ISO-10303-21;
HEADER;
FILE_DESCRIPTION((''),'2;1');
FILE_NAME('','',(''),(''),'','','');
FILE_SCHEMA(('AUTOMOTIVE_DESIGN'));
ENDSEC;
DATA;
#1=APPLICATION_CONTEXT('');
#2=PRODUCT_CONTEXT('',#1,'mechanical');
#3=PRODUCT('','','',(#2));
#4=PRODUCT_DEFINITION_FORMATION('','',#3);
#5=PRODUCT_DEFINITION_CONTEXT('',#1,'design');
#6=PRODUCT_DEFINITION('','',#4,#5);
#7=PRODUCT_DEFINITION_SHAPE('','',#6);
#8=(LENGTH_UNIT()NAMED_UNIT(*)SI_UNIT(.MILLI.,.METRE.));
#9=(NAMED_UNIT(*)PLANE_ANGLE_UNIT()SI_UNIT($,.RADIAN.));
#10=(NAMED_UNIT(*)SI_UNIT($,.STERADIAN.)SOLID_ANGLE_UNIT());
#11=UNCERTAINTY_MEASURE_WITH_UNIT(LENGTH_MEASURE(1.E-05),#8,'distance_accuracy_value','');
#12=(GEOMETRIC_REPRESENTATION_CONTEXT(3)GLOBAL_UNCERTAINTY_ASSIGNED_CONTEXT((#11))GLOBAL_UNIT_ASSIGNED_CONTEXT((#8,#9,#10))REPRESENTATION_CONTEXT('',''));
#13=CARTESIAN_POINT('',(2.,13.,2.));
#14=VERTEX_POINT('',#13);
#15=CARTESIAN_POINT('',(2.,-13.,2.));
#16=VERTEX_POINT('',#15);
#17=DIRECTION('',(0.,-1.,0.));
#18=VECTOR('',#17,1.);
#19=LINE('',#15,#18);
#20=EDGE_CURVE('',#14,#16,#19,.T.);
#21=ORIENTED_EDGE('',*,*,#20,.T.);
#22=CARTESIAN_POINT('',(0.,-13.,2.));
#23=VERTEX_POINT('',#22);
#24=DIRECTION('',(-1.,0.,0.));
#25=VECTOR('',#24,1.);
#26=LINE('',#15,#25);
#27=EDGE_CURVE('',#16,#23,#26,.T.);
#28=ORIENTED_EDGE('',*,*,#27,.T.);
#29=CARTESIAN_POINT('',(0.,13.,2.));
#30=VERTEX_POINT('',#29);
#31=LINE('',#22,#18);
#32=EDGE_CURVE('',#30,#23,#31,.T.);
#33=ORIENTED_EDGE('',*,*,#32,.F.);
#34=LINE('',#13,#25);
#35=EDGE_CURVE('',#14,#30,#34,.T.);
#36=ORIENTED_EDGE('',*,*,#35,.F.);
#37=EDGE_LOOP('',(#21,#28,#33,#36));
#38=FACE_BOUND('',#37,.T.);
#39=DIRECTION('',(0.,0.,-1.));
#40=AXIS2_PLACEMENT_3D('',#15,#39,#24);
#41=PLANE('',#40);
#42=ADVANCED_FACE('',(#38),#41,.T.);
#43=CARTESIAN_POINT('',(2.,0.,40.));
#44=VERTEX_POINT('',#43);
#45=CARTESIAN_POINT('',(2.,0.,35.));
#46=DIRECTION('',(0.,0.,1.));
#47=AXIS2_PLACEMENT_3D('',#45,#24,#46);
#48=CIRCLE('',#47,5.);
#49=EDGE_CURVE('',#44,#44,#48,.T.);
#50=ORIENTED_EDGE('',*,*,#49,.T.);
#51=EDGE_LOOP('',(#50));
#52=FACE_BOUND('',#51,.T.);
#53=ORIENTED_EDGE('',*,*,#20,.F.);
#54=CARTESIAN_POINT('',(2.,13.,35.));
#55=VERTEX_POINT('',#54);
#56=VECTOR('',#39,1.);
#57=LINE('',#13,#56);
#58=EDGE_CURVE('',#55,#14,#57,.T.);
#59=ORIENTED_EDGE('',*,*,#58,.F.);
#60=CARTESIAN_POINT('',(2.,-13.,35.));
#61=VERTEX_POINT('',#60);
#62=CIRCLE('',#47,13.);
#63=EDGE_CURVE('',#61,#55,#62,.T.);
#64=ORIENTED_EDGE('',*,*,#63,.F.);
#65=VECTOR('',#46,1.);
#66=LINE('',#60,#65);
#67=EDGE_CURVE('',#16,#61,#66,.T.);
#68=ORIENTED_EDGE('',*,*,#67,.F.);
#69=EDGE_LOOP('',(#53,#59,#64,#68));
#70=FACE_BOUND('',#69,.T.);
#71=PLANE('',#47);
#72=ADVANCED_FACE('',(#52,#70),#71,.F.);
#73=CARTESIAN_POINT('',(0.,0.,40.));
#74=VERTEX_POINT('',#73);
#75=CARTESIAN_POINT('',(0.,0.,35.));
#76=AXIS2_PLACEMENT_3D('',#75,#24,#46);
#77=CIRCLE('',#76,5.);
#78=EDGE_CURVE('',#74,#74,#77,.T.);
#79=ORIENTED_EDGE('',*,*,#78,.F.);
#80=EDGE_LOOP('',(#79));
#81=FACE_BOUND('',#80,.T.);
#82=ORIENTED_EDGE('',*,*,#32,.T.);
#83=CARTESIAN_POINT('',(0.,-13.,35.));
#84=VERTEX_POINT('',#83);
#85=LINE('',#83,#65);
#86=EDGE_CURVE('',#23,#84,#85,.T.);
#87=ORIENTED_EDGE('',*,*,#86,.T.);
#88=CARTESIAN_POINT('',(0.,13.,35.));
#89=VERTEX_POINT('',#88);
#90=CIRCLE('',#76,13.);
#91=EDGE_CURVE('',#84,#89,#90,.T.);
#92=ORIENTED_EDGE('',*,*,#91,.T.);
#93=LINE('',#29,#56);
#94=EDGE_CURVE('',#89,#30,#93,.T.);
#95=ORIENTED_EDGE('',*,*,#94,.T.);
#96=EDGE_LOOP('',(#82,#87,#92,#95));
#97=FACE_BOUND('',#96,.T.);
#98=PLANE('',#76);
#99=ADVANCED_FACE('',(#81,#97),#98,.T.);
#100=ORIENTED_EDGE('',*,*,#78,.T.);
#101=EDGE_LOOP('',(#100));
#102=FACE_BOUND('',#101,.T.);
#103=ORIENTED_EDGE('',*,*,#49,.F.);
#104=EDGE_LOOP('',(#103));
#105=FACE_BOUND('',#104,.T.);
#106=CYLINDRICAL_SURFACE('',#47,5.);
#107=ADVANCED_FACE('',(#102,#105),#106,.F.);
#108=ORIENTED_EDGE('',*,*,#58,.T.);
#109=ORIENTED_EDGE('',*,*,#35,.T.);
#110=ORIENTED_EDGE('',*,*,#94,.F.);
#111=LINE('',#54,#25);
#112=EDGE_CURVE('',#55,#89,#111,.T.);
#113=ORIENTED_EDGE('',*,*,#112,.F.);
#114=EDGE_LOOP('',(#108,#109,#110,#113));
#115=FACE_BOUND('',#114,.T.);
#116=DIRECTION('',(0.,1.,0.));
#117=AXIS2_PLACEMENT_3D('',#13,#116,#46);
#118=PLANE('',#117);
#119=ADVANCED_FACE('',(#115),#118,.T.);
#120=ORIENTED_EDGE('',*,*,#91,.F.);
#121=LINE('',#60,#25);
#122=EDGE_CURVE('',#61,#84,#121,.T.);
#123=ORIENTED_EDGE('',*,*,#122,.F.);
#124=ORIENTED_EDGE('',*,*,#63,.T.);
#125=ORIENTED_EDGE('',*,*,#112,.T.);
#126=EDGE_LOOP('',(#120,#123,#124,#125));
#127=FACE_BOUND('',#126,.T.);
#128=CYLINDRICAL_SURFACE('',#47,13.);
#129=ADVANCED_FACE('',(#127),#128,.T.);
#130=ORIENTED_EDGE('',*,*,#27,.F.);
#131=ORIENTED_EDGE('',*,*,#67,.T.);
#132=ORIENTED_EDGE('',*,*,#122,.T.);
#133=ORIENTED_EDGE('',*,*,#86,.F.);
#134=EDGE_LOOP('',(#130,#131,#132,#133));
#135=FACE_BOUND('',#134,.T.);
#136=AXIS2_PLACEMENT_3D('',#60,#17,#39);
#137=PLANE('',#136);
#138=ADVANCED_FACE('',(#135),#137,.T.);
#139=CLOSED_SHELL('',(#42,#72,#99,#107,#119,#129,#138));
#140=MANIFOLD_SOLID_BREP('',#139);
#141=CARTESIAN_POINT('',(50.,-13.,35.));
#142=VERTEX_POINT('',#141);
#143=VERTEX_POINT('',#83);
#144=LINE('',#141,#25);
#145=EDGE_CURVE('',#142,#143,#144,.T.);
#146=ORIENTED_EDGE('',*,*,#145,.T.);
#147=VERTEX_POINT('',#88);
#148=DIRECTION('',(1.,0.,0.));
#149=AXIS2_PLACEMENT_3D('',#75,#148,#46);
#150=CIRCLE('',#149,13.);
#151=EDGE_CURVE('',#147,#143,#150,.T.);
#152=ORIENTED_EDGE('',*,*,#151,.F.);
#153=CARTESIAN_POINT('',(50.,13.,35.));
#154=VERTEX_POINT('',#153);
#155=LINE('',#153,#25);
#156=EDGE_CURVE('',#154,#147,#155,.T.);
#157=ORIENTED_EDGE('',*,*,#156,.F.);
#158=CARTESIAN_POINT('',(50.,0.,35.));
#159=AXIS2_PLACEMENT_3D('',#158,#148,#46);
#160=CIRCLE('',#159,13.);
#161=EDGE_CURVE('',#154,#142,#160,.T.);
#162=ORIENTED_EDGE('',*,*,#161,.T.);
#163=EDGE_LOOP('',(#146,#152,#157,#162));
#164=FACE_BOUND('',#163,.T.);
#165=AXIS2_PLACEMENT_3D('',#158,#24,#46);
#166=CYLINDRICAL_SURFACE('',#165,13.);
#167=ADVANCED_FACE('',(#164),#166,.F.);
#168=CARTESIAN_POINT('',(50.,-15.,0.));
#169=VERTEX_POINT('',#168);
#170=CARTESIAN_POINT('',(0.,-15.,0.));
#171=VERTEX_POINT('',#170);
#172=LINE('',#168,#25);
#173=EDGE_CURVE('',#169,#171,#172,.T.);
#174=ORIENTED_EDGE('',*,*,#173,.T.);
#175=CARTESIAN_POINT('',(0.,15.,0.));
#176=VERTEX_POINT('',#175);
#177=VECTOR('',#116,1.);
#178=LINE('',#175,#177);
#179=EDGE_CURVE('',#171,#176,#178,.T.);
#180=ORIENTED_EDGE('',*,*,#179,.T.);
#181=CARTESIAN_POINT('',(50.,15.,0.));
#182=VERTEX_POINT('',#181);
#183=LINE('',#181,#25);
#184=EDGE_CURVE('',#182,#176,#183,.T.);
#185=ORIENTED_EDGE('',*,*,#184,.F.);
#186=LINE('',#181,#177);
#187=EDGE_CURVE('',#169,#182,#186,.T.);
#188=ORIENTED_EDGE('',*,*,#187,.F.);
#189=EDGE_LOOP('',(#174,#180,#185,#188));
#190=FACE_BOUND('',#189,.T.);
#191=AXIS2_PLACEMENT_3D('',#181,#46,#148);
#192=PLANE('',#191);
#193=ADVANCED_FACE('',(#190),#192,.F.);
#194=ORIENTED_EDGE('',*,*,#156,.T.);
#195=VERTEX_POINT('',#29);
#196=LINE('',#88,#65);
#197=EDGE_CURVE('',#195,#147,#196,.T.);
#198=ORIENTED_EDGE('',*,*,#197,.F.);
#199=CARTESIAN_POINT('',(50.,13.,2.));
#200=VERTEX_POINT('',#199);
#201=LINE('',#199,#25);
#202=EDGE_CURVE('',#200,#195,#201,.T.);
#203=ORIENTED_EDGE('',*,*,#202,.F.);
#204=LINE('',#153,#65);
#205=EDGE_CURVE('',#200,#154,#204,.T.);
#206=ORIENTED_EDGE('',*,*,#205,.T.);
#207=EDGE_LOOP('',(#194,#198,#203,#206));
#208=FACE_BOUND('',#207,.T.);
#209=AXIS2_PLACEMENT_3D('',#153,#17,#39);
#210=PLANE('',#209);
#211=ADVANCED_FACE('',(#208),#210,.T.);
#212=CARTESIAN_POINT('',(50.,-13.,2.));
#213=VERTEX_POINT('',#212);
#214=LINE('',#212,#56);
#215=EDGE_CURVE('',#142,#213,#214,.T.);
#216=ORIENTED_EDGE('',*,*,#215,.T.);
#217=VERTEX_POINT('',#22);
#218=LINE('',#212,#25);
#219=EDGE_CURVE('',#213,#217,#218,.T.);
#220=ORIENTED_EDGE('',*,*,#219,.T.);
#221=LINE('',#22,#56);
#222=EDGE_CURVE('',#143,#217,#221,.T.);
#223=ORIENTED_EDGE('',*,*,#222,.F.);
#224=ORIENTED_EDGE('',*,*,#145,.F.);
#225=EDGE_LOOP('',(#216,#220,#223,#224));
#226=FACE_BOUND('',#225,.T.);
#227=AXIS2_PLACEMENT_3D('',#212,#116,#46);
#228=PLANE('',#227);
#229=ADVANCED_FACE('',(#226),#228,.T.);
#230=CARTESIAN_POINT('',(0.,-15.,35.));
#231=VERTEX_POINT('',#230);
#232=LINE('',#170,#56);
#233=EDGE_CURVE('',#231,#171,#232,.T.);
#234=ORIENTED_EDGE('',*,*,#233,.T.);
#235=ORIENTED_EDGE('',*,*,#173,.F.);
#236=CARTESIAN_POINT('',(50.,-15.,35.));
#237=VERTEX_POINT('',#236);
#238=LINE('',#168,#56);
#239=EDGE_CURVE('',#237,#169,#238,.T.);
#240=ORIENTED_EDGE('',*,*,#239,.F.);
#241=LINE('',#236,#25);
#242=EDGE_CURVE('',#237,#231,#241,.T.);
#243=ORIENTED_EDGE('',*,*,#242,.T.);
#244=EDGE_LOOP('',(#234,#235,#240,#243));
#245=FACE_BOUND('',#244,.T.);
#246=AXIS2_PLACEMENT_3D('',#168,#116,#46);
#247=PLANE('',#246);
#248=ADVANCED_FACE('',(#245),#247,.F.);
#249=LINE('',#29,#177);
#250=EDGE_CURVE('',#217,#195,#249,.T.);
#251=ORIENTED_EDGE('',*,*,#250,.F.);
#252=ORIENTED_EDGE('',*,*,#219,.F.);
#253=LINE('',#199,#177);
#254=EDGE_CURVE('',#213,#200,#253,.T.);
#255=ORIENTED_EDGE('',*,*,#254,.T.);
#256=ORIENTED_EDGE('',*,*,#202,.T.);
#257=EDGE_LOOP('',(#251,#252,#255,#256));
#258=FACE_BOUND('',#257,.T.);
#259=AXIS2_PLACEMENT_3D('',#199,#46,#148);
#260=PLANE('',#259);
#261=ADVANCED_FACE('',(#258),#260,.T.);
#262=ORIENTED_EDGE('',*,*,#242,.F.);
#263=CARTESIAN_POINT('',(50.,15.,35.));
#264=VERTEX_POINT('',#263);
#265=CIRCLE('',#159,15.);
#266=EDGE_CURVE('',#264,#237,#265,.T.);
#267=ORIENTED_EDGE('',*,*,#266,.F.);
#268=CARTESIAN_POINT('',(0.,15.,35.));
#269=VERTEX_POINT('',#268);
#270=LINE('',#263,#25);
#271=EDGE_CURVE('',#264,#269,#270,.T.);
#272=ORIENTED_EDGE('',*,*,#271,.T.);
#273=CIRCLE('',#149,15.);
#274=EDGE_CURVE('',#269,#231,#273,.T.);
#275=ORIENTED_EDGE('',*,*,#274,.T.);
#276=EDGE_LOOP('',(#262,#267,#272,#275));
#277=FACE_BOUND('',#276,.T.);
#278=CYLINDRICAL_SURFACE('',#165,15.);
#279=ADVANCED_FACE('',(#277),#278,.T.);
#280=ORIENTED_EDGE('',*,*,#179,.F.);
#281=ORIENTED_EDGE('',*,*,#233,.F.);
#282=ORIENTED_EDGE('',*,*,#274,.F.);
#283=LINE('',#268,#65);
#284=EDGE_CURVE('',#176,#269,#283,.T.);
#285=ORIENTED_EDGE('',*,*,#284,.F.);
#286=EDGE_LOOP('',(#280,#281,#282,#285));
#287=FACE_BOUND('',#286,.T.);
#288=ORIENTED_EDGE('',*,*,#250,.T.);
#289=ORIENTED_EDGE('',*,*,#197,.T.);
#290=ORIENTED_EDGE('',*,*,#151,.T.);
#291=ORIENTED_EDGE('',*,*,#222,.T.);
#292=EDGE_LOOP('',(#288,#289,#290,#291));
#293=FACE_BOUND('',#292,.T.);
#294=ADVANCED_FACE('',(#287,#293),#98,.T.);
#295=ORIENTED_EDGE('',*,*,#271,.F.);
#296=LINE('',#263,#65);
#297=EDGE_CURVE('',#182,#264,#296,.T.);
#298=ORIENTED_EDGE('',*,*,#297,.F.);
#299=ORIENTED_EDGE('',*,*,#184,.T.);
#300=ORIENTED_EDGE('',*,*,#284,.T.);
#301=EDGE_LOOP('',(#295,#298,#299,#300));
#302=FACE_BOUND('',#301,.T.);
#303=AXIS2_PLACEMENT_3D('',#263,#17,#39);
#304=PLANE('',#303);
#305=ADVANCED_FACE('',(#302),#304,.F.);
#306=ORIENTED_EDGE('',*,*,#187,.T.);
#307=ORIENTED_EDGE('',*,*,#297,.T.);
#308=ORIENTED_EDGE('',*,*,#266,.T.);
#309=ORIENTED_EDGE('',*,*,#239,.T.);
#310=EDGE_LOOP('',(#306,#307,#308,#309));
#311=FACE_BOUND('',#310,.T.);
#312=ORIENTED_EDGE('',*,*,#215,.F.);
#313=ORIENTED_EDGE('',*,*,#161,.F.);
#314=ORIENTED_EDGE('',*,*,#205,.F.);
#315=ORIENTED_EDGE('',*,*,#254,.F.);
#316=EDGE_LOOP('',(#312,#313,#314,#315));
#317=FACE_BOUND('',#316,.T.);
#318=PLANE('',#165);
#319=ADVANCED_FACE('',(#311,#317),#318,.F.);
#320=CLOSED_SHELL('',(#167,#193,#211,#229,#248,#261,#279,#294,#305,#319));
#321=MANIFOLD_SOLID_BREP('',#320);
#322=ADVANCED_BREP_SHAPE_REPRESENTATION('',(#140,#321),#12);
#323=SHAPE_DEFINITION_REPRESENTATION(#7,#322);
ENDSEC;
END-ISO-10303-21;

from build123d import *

# Parameters (mm, degrees)
TUBE_BISEAUT_TUBE_BISEAUT_1_1_DEPTH = 50
ESQUISSE12_R                        = 5
BOSS_EXTRU_1_DEPTH                  = 2


with BuildPart() as part:
    # Esquisse11 → Tube biseauté TUBE BISEAUTÉ 1(1) (new body)
    with BuildSketch(Plane.YZ):
        with BuildLine():
            Line((-15, 0), (-15, 35))
            ThreePointArc((-15, 35), (0, 50), (15, 35))
            Line((15, 35), (15, 0))
            Line((15, 0), (-15, 0))
        make_face()
        with BuildLine():
            Line((-13, 2), (-13, 35))
            ThreePointArc((-13, 35), (0, 48), (13, 35))
            Line((13, 35), (13, 2))
            Line((13, 2), (-13, 2))
        make_face(mode=Mode.SUBTRACT)
    extrude(amount=TUBE_BISEAUT_TUBE_BISEAUT_1_1_DEPTH)


with BuildPart() as body_2:
    # Esquisse12 → Boss.-Extru.1 (new body)
    with BuildSketch(Plane.ZY):
        with BuildLine():
            Line((35, -13), (2, -13))
            Line((2, -13), (2, 13))
            Line((2, 13), (35, 13))
            ThreePointArc((35, 13), (48, 0), (35, -13))
        make_face()
        with Locations((35, 0)):
            Circle(ESQUISSE12_R, mode=Mode.SUBTRACT)
    extrude(amount=-BOSS_EXTRU_1_DEPTH)


solid = Compound([part.part, body_2.part])
